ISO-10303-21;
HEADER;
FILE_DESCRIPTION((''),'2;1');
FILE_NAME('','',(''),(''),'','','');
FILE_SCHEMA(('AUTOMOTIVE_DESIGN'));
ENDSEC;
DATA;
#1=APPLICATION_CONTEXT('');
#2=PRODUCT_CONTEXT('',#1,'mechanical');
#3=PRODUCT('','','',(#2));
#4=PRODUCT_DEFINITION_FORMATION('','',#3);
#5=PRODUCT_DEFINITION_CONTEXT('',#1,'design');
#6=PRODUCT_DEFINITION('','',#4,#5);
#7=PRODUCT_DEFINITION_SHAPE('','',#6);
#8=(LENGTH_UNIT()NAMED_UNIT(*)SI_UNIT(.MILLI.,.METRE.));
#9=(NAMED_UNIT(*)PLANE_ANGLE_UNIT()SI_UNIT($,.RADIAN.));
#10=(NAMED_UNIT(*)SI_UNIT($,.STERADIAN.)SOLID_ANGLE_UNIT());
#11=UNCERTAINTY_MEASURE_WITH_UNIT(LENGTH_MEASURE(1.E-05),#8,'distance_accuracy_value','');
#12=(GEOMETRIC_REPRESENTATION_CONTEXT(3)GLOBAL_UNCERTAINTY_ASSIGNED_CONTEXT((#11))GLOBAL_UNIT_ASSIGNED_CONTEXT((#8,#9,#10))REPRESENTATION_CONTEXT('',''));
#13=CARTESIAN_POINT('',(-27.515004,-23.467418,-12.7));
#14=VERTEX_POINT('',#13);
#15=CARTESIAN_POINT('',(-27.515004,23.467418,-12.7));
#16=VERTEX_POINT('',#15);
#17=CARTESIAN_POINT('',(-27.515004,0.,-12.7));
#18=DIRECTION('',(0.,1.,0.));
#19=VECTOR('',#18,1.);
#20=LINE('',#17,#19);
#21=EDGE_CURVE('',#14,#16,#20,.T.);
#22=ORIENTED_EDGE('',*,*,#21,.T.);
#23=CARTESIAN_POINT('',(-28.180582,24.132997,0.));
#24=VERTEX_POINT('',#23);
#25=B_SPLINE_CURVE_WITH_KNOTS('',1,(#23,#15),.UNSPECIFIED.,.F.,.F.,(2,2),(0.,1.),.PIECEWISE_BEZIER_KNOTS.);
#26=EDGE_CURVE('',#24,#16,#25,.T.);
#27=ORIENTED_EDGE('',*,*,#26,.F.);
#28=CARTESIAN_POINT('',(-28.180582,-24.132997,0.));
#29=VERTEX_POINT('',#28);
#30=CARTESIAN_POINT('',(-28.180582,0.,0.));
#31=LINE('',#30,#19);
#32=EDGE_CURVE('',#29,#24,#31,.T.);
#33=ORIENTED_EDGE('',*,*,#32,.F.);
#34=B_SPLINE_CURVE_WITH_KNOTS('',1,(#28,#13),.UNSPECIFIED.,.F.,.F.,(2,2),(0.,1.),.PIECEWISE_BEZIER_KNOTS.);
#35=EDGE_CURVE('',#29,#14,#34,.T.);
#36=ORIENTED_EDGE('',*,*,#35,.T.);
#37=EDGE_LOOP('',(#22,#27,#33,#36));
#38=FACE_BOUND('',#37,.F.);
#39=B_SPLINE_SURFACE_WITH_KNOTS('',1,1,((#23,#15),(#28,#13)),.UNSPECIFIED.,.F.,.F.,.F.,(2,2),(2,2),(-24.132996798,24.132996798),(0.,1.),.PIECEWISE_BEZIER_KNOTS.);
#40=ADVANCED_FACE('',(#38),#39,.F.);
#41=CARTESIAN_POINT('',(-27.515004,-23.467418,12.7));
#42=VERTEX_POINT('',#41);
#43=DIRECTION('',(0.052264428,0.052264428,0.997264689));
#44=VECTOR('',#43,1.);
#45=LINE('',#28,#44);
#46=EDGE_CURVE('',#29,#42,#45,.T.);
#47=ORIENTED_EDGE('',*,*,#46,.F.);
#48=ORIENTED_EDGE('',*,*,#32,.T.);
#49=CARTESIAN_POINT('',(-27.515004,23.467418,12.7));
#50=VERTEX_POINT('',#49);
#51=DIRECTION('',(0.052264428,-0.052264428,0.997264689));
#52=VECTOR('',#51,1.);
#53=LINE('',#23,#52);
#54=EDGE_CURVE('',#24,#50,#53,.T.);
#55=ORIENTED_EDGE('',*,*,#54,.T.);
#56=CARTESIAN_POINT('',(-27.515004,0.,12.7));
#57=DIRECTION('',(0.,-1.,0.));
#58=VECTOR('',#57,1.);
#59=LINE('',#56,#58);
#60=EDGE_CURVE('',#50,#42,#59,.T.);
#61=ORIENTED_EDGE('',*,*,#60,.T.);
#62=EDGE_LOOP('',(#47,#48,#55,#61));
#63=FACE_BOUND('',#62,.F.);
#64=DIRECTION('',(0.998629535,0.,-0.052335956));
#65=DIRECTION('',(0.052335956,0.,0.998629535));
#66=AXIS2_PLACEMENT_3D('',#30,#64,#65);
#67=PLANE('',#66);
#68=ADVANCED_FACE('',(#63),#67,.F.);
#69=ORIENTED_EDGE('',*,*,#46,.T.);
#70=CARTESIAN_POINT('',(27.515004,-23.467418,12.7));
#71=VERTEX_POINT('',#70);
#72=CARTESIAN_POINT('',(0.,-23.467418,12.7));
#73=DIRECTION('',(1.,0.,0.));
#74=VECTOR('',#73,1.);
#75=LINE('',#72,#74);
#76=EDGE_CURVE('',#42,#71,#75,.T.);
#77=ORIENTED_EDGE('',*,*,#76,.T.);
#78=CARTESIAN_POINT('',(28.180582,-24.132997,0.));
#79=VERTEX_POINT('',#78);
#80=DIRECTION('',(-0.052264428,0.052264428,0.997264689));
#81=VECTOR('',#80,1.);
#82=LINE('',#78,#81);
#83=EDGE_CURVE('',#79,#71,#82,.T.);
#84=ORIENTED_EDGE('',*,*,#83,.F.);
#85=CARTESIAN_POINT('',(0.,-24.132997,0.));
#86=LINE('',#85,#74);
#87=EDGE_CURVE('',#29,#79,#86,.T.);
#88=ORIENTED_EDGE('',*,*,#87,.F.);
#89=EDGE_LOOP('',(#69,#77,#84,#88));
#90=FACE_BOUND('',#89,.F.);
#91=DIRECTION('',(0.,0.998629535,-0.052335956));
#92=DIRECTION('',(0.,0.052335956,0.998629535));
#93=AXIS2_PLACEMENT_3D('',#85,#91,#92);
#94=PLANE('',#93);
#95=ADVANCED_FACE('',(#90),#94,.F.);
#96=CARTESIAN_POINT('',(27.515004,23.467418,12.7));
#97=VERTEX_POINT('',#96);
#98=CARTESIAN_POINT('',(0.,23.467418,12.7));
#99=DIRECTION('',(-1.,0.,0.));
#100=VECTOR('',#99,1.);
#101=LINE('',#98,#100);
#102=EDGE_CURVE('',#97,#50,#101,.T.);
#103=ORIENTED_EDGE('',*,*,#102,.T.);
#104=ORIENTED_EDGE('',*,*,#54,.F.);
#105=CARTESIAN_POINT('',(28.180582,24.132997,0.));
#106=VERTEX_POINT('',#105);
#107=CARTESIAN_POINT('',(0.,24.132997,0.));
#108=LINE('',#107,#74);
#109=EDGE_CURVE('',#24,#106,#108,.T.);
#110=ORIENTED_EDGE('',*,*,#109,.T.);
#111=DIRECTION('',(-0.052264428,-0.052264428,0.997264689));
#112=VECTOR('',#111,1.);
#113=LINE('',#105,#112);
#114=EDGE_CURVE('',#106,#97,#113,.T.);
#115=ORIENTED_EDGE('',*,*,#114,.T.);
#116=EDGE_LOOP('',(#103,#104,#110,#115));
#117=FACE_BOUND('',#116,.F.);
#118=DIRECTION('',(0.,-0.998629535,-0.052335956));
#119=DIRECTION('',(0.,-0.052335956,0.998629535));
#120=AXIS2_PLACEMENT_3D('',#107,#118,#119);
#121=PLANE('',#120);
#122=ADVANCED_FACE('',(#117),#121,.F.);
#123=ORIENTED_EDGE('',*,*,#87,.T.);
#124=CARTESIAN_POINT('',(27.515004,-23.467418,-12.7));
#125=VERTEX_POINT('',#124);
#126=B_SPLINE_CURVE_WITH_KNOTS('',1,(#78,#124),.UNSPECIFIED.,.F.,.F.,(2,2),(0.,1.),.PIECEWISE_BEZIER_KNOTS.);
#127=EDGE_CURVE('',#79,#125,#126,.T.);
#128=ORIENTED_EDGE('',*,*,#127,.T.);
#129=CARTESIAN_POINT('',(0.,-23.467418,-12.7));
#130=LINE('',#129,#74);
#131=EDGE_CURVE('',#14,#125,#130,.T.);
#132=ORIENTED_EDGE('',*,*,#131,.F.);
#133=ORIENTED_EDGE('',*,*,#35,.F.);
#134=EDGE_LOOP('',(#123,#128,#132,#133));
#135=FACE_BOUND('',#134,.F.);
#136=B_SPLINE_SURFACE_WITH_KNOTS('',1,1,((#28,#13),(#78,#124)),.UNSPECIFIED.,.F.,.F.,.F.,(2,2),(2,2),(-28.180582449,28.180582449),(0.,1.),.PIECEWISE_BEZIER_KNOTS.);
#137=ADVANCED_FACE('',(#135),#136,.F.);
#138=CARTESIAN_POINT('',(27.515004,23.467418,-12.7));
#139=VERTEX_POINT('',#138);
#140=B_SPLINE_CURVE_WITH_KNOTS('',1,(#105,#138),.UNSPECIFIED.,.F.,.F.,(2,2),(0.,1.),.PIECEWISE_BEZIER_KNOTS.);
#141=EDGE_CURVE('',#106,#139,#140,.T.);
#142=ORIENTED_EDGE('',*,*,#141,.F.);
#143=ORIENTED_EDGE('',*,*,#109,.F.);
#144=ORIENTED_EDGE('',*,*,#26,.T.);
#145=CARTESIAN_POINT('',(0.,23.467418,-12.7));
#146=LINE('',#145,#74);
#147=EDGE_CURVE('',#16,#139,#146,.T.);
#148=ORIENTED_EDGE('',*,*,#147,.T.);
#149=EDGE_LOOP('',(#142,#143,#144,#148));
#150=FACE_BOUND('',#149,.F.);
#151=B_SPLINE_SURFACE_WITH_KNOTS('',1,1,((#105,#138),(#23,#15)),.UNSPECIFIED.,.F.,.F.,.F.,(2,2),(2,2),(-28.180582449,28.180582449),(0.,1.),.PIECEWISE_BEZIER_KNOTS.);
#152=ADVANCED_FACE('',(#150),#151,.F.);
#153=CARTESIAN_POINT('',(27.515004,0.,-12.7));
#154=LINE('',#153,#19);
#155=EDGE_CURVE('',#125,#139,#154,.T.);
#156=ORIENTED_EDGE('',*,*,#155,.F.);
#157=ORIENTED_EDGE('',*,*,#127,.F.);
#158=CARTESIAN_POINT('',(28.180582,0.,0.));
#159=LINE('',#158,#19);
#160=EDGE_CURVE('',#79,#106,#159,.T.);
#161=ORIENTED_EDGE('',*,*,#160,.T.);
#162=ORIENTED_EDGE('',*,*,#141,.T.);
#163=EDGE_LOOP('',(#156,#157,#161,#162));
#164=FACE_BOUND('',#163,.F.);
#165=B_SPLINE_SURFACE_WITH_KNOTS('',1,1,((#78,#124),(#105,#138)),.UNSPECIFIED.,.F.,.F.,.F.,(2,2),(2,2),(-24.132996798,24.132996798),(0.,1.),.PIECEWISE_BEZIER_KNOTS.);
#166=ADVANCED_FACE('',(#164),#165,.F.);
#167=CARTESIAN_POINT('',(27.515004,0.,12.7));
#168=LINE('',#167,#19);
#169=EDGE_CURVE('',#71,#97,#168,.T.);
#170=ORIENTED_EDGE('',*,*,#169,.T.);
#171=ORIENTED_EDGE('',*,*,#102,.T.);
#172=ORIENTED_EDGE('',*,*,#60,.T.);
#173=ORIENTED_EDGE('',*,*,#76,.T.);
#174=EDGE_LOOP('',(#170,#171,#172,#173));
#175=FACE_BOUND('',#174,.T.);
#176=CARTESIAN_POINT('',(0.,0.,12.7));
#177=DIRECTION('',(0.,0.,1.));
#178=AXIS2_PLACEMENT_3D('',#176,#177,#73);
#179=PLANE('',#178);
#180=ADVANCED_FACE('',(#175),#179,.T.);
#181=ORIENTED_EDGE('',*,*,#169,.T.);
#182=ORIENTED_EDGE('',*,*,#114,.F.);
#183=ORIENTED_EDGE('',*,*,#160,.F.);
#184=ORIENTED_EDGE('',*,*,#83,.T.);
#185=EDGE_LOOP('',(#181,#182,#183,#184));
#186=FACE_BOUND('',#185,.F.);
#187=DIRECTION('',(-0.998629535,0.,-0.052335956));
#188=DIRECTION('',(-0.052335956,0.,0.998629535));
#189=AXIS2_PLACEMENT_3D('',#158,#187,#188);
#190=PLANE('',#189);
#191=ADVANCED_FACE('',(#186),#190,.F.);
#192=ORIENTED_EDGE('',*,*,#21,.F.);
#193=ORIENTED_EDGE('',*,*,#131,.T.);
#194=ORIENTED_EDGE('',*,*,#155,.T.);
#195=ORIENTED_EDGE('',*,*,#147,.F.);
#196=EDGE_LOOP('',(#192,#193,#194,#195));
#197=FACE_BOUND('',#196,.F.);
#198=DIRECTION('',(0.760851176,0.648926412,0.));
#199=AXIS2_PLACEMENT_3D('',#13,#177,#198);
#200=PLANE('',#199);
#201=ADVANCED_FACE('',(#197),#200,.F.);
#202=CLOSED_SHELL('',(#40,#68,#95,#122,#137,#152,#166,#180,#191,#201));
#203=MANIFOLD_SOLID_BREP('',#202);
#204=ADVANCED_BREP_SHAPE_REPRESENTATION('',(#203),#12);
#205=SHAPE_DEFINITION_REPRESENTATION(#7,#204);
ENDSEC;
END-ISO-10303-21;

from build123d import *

# Parameters (mm, degrees)
F0_W     = 56.3611648977
F0_H     = 48.2659935951
F1_DEPTH = 12.7
F1_TAPER = 3


with BuildPart() as f1:
    # F0 (on Top) → F1 (new body, symmetric)
    with BuildSketch(Plane.XY):
        Rectangle(F0_W, F0_H)
    extrude(amount=F1_DEPTH, both=True, taper=F1_TAPER)


solid = f1.part
